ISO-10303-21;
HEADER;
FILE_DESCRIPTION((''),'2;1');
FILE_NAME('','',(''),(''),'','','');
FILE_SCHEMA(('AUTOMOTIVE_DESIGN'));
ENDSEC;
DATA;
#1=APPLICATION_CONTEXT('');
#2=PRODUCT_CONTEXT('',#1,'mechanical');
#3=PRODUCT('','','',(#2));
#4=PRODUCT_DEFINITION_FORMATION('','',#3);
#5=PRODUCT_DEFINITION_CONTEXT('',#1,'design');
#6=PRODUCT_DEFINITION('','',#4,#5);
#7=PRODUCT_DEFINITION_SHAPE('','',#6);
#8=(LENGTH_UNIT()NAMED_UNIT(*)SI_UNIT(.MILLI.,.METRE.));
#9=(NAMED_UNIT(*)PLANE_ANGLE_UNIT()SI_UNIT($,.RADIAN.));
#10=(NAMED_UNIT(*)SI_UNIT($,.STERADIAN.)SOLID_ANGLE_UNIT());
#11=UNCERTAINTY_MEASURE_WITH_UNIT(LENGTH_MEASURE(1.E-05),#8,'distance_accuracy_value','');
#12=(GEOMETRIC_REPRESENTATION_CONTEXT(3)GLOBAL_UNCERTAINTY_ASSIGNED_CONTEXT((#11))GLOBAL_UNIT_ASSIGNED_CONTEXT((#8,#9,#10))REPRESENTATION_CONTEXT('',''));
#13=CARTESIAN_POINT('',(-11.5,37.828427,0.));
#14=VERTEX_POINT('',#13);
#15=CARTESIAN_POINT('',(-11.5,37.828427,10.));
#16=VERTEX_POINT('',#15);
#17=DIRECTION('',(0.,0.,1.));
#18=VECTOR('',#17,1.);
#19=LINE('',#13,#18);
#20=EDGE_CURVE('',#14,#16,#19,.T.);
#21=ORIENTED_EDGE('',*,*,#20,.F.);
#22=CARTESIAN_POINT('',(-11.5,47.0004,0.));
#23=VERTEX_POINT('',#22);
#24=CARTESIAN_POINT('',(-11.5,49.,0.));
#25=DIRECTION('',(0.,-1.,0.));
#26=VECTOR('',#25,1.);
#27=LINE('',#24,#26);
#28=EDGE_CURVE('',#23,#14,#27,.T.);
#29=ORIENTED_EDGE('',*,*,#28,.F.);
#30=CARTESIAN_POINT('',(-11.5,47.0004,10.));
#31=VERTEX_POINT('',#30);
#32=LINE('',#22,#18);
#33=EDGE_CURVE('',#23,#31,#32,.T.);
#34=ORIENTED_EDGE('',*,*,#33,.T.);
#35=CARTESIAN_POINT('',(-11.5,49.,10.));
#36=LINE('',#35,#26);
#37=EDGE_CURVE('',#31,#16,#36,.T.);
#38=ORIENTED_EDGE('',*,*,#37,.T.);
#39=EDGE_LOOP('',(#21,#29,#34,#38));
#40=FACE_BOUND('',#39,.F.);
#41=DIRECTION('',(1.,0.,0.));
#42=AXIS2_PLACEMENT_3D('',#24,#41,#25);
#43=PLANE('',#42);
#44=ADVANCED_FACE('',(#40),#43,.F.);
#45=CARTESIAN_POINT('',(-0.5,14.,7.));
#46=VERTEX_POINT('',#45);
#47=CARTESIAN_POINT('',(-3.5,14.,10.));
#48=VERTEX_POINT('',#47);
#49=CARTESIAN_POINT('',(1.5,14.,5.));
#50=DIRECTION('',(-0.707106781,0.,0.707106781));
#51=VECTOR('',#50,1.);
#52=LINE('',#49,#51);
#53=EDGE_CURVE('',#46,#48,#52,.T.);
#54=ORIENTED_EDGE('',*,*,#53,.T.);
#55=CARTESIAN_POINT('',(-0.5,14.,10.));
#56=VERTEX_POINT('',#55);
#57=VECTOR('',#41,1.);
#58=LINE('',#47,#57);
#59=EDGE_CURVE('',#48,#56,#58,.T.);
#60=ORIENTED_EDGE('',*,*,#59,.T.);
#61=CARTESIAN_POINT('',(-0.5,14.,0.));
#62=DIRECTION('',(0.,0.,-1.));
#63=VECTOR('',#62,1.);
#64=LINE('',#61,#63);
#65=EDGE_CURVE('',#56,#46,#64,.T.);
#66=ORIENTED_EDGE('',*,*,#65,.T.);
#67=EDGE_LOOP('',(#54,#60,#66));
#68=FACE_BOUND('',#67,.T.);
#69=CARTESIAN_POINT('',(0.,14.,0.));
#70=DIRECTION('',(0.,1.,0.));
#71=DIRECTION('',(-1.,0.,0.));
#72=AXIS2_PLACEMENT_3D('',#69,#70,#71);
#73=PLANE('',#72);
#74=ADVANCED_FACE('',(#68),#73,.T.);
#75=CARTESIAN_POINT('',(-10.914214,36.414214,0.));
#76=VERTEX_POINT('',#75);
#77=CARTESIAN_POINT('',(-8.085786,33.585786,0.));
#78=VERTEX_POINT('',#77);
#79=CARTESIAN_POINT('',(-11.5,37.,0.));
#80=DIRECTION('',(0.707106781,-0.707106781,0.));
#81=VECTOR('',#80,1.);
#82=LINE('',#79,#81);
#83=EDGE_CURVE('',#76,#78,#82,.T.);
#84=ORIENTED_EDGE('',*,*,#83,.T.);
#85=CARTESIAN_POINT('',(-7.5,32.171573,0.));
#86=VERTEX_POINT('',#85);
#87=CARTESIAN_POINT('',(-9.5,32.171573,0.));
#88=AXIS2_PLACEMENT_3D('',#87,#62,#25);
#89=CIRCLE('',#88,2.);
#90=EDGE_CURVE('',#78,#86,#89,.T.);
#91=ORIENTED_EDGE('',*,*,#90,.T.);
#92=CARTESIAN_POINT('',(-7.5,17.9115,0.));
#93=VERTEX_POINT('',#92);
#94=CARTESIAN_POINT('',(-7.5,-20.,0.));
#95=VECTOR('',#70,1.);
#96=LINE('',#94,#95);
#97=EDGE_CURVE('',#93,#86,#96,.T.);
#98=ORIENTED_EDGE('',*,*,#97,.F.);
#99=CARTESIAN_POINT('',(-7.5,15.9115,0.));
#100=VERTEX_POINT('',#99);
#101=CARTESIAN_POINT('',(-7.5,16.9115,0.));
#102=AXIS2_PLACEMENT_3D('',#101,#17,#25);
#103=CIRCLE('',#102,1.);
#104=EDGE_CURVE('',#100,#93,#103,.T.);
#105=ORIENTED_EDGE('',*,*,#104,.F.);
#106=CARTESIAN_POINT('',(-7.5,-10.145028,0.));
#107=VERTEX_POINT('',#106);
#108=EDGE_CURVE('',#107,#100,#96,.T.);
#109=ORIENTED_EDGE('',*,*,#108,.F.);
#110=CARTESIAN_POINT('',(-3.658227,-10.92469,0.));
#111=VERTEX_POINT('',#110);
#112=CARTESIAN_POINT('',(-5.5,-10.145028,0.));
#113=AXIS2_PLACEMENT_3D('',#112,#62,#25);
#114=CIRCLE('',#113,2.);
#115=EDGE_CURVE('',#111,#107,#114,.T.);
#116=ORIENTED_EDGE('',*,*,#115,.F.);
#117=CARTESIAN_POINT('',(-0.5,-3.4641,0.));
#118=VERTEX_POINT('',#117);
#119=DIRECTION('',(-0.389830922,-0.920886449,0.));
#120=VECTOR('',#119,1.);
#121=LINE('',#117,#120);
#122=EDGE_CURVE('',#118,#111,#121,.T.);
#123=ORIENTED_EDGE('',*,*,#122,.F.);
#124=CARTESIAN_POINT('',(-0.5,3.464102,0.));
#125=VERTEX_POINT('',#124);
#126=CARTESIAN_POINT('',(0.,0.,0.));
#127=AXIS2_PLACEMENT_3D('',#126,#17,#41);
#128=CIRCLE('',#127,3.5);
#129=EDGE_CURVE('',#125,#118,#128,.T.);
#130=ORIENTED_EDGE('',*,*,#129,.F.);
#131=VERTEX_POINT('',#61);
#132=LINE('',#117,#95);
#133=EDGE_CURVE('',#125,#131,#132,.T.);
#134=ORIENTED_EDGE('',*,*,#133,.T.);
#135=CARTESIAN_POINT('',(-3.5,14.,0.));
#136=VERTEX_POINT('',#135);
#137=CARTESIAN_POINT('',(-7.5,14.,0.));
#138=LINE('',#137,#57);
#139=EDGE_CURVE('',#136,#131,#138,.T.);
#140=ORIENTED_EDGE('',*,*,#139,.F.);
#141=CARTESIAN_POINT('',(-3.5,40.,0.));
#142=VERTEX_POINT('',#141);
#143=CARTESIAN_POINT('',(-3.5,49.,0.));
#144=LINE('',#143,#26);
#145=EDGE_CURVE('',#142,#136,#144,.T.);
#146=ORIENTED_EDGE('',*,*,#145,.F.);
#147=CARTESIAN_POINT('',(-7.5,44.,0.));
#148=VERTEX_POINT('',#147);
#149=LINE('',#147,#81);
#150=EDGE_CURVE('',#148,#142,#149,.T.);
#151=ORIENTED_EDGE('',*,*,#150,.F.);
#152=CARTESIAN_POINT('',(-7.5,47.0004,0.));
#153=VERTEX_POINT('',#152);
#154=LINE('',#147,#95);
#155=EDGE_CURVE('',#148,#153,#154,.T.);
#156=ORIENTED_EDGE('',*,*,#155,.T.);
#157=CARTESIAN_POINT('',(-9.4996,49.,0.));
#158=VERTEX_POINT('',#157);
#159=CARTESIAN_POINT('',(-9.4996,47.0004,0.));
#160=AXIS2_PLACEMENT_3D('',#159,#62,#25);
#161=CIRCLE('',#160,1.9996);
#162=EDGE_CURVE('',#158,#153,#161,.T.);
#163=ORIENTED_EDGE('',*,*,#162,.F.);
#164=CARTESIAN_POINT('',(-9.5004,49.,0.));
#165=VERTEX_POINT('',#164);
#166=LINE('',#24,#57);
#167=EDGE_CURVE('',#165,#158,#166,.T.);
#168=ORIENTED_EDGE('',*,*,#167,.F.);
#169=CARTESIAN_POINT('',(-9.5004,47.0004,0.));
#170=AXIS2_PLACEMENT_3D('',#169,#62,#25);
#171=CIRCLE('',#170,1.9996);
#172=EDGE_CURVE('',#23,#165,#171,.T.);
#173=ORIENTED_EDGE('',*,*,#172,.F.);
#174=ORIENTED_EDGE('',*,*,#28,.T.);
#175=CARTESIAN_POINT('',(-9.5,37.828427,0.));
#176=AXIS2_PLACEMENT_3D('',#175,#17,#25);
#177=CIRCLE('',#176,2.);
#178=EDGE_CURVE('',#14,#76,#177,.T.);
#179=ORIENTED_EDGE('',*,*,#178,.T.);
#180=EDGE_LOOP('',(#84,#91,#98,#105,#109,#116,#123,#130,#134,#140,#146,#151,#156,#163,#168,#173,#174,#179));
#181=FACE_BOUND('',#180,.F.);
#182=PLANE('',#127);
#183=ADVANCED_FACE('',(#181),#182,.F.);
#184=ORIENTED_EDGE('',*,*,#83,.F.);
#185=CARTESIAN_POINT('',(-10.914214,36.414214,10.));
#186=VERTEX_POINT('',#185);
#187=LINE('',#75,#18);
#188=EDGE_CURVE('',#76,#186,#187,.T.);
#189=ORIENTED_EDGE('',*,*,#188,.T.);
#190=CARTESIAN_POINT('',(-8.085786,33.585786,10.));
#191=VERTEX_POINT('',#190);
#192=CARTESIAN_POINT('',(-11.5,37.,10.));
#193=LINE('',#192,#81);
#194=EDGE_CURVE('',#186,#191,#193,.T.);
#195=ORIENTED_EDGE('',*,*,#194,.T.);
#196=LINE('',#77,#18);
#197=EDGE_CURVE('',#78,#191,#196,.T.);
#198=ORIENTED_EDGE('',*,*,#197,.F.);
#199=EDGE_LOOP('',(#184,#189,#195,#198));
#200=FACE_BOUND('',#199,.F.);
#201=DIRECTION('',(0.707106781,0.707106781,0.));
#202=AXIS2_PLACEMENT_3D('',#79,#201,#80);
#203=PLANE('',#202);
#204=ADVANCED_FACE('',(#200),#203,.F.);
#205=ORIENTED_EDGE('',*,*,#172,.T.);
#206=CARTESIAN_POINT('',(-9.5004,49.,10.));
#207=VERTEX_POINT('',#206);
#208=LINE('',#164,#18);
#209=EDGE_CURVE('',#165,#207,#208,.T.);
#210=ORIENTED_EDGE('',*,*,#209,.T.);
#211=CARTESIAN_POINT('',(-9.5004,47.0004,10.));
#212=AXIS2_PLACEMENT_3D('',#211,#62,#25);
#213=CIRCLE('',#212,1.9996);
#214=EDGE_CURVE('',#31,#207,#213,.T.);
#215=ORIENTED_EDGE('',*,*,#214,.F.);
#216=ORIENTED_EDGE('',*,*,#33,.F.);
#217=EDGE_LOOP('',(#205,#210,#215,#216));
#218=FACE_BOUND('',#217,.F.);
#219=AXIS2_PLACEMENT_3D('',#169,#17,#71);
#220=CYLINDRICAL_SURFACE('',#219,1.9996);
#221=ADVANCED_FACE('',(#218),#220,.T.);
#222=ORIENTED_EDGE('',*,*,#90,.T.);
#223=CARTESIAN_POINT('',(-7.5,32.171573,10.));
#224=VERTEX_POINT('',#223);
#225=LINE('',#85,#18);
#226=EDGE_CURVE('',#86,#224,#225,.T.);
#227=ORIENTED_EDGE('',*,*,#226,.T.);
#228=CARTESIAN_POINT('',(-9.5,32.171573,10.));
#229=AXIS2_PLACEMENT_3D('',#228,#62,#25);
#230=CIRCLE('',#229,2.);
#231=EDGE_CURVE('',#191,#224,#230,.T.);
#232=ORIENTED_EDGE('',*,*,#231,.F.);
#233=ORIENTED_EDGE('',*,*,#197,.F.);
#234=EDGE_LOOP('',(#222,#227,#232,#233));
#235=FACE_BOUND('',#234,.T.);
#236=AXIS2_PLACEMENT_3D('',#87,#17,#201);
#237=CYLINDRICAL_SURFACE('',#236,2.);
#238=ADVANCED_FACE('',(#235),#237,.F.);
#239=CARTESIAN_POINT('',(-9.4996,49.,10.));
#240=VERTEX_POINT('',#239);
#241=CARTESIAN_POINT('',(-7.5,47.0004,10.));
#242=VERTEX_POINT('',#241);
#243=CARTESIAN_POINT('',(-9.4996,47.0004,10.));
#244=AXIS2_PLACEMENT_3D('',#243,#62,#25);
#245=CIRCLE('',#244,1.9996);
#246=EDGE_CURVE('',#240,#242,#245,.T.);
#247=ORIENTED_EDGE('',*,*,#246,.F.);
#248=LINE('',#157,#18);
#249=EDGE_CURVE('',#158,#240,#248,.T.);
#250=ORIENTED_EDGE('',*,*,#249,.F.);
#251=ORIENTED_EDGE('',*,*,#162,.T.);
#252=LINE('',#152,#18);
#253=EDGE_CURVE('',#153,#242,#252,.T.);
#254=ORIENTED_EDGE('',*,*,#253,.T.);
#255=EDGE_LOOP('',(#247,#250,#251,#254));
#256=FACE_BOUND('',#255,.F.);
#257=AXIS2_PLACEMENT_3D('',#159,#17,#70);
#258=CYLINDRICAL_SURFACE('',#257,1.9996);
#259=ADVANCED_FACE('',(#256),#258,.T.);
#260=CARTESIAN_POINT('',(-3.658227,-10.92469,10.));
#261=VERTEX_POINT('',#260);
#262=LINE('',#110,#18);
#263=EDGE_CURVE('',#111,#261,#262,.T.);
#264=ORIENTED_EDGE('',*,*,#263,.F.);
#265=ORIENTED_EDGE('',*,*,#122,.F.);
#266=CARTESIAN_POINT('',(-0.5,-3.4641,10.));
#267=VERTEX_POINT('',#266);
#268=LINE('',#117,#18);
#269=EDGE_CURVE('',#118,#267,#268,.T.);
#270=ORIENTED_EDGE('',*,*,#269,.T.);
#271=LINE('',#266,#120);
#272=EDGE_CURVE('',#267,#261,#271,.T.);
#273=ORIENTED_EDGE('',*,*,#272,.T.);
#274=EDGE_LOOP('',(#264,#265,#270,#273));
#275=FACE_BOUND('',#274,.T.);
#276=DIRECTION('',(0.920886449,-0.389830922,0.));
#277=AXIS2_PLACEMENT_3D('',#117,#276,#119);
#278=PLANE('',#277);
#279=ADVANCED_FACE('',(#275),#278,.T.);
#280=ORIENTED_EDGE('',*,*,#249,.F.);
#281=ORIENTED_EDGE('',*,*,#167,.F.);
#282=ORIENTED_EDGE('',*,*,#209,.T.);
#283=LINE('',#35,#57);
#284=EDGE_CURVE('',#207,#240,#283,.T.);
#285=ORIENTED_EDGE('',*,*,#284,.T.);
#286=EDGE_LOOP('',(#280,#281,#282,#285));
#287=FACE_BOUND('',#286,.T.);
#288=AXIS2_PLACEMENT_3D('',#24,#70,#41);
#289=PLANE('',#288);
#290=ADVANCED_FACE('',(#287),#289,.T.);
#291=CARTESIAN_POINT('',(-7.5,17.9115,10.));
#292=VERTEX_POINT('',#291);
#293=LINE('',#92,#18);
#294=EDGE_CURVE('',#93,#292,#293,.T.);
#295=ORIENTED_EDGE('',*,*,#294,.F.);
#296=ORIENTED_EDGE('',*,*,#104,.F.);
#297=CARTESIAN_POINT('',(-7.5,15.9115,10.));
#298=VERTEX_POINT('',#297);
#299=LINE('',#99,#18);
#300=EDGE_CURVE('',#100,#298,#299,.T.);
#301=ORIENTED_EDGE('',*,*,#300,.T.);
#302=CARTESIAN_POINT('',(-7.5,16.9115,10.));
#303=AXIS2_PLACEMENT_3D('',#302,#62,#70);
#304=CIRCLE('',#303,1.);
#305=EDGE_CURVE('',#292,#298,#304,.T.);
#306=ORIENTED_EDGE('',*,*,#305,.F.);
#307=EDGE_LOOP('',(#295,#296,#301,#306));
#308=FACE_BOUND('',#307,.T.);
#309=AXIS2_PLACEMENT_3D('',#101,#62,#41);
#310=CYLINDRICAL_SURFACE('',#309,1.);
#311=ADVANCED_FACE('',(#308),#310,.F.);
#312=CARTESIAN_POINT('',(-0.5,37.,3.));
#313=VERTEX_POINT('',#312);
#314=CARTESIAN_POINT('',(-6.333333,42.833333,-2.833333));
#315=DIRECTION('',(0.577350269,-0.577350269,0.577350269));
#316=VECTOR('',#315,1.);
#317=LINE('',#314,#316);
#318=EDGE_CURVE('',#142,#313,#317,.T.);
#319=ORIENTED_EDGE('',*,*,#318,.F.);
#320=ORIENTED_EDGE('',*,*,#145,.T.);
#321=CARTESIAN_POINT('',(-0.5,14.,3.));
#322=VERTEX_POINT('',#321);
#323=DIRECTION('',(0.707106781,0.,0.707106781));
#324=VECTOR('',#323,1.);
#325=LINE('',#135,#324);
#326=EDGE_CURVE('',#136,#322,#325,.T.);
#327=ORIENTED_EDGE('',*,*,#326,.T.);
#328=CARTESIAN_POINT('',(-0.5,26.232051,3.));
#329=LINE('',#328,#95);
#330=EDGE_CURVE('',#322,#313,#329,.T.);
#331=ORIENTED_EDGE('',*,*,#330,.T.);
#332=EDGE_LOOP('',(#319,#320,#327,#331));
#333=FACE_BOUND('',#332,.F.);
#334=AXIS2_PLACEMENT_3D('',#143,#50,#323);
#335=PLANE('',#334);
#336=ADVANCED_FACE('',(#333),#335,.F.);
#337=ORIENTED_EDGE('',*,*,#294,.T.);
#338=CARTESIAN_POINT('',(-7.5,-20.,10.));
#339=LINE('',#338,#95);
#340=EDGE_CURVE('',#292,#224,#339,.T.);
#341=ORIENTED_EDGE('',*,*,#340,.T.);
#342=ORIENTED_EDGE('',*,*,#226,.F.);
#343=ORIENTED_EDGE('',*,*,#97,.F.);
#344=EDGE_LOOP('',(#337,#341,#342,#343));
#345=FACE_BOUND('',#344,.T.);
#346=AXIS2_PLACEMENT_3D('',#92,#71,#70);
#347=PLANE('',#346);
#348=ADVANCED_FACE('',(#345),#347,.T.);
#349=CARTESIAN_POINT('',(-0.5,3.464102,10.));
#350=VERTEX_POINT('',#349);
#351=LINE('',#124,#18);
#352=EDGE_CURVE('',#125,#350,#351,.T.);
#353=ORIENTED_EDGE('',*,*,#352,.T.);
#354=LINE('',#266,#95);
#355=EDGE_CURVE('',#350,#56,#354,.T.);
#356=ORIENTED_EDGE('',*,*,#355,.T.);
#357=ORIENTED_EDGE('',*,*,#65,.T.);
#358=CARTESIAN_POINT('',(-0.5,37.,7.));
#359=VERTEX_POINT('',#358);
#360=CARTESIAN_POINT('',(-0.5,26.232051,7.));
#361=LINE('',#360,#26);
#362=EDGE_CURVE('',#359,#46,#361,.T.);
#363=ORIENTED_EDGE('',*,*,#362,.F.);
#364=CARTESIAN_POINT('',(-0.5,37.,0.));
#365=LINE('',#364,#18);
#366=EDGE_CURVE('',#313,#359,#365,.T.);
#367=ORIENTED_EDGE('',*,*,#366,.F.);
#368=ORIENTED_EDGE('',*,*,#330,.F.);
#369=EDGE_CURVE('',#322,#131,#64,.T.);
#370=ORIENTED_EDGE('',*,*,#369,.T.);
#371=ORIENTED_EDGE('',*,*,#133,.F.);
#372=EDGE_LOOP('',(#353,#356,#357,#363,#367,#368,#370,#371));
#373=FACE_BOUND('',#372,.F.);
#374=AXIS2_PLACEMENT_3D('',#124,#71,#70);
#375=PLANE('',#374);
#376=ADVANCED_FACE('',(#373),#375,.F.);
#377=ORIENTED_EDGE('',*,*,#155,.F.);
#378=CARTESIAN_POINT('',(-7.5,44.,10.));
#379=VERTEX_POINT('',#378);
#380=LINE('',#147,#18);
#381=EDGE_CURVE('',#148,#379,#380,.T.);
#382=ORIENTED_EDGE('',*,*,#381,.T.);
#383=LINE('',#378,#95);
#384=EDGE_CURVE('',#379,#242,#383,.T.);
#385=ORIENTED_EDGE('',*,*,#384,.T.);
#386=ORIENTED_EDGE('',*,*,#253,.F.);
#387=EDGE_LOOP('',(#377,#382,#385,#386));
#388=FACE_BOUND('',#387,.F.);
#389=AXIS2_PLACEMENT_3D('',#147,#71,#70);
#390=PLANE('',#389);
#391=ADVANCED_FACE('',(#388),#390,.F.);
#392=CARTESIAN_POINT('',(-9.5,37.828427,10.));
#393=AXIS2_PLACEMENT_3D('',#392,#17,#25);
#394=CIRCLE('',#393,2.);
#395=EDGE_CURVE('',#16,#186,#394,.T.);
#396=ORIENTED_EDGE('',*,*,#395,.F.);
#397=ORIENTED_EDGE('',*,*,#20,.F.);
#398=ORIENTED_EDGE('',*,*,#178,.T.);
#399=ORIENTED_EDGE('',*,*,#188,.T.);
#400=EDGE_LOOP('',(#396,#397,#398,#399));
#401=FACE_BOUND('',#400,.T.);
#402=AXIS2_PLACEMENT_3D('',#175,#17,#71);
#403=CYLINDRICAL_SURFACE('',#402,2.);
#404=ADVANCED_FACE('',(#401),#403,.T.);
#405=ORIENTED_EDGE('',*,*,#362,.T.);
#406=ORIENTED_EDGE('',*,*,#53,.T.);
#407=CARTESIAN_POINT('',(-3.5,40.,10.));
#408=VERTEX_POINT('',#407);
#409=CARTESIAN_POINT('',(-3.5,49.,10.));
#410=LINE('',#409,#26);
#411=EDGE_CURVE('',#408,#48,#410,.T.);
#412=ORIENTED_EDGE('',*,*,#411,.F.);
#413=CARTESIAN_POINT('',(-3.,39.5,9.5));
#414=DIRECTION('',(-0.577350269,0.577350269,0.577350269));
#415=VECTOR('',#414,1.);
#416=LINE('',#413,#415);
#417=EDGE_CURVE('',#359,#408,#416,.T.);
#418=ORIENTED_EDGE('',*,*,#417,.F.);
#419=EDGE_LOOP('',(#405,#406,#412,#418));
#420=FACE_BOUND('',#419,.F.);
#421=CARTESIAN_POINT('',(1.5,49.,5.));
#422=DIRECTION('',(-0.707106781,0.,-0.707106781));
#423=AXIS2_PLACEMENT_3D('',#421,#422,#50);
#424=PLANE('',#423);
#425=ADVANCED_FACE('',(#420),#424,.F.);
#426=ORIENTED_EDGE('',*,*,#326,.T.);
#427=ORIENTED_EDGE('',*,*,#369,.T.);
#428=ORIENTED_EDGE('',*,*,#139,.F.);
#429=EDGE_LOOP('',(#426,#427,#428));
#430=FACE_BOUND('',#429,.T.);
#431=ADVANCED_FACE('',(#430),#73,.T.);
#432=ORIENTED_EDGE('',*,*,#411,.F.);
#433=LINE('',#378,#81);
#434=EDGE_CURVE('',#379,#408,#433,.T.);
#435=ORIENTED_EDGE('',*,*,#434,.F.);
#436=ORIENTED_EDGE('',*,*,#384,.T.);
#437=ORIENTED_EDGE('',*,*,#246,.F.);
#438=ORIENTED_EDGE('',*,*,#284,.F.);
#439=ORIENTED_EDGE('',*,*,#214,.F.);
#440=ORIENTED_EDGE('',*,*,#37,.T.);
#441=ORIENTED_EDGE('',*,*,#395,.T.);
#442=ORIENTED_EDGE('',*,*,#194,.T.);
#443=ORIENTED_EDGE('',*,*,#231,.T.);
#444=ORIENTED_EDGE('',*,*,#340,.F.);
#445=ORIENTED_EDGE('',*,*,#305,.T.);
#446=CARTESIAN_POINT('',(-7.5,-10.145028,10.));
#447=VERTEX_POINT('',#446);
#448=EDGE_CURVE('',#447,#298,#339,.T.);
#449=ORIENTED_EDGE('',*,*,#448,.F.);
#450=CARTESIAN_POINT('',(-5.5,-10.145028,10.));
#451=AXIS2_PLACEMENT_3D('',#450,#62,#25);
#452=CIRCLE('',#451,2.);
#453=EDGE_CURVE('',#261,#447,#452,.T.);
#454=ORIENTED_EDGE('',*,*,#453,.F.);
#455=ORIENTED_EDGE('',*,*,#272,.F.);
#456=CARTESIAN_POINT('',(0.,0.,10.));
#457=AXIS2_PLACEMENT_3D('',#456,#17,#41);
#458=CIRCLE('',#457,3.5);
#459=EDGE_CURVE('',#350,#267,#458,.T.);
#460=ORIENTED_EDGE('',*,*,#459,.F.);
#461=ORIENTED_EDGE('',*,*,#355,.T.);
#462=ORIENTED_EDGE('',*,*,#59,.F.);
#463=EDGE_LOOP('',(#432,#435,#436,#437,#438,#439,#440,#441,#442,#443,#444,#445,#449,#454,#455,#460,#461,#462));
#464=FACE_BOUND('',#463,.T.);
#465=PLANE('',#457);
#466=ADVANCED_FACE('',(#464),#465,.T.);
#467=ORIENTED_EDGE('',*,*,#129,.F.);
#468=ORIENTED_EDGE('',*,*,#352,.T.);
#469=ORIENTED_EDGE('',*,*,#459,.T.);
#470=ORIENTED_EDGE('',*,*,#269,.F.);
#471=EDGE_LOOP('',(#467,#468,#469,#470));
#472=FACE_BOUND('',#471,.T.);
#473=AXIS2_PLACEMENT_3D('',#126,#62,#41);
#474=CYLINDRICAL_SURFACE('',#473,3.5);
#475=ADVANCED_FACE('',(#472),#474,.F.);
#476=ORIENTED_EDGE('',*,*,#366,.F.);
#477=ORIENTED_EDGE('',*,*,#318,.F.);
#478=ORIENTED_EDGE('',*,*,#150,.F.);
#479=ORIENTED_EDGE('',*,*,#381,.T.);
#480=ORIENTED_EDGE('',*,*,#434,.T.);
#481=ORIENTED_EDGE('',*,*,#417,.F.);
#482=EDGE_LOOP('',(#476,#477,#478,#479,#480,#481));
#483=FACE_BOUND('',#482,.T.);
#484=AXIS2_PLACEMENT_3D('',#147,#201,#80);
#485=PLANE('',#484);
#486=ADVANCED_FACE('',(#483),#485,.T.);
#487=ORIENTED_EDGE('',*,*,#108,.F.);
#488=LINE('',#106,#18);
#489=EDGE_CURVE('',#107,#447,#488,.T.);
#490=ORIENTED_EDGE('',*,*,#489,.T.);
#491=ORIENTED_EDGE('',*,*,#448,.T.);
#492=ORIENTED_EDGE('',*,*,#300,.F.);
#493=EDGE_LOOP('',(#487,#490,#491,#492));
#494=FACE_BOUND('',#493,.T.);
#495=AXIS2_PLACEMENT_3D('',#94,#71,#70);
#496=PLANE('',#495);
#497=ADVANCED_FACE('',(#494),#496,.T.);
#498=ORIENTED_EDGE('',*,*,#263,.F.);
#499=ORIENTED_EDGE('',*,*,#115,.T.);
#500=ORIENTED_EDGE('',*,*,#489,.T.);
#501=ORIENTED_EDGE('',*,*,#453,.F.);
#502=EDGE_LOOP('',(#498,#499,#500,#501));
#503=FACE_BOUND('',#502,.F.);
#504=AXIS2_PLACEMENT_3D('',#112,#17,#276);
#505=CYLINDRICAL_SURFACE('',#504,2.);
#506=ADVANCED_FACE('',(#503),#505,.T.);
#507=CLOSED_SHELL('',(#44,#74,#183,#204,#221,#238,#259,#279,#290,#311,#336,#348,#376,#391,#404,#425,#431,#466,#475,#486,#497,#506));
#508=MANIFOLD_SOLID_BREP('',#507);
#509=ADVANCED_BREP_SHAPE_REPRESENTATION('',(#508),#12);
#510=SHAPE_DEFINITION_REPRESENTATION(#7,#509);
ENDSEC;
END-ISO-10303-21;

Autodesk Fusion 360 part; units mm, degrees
sketch "Sketch1" plane through (0, 0, 0) normal (0, 0, 1) x (1, 0, 0)
  circle A0 centre (0, 0) radius 3.5
  line L0 (-11.5, 49) -> (-11.5, 37)
  line L1 (-0.5, -3.4641) -> (-0.5, 37)
  line L2 (-0.5, -3.4641) -> (-7.5, -20)
  circle A1 centre (-7.5, 16.9115) radius 1
  line L3 (-11.5, 49) -> (-7.5, 49)
  line L4 (-11.5, 37) -> (-7.5, 33)
  line L5 (-7.5, 44) -> (-0.5, 37)
  line L6 (-7.5, -20) -> (-7.5, 33)
  line L7 (-7.5, 44) -> (-7.5, 49)
  point P0 (-7.5, 16.9115)
  dimension "d1" = 7
  dimension "d2" = 4
  dimension "d6" = 0.5
  dimension "d7" = 20
  dimension "d8" = 7
  dimension "d9" = 18.5
  dimension "d10" = 2
  dimension "d11" = 69
  dimension "d12" = 12
  dimension "d14" = 5
  dimension "d26" = 45
extrude "Extrude1" add sketch "Sketch1" along normal blind 10 contours A0 L0 L1 L2 A1 L3 L4 L5 L6 L7
sketch "Sketch2" plane through (0, 49, 0) normal (0, 1, 0) x (-1, 0, 0)
  line L0 (7.5, 0) -> (11.5, 0)
  line L1 (11.5, 0) -> (11.5, 10)
  line L2 (11.5, 10) -> (7.5, 10)
  line L3 (7.5, 10) -> (7.5, 0)
  line L4 (3.5, 0) -> (-1.5, 5)
  line L5 (-1.5, 5) -> (3.5, 10)
  line L6 (7.5, 0) -> (0.5, 0)
  line L7 (3.5, 10) -> (-2, 10)
  line L8 (-2, 10) -> (-2, 0)
  line L9 (-2, 0) -> (3.5, 0)
  line L10 (0.5, 10) -> (7.5, 10)
  point P0 (0.5, 0)
  point P1 (0.5, 10)
  dimension "d17" = 3
  dimension "d18" = 3
  dimension "d19" = 45
extrude "Extrude2" cut sketch "Sketch2" against normal blind 35 contours L4 L5 L6 L7 L8 L9 L10
fillet "Fillet1" radius 2 2 edges at (-11.5, 49, 5) (-7.5, 49, 5)
fillet "Fillet2" radius 2 3 edges at (-7.5, 33, 5) (-11.5, 37, 5) (-7.5, -20, 5)
